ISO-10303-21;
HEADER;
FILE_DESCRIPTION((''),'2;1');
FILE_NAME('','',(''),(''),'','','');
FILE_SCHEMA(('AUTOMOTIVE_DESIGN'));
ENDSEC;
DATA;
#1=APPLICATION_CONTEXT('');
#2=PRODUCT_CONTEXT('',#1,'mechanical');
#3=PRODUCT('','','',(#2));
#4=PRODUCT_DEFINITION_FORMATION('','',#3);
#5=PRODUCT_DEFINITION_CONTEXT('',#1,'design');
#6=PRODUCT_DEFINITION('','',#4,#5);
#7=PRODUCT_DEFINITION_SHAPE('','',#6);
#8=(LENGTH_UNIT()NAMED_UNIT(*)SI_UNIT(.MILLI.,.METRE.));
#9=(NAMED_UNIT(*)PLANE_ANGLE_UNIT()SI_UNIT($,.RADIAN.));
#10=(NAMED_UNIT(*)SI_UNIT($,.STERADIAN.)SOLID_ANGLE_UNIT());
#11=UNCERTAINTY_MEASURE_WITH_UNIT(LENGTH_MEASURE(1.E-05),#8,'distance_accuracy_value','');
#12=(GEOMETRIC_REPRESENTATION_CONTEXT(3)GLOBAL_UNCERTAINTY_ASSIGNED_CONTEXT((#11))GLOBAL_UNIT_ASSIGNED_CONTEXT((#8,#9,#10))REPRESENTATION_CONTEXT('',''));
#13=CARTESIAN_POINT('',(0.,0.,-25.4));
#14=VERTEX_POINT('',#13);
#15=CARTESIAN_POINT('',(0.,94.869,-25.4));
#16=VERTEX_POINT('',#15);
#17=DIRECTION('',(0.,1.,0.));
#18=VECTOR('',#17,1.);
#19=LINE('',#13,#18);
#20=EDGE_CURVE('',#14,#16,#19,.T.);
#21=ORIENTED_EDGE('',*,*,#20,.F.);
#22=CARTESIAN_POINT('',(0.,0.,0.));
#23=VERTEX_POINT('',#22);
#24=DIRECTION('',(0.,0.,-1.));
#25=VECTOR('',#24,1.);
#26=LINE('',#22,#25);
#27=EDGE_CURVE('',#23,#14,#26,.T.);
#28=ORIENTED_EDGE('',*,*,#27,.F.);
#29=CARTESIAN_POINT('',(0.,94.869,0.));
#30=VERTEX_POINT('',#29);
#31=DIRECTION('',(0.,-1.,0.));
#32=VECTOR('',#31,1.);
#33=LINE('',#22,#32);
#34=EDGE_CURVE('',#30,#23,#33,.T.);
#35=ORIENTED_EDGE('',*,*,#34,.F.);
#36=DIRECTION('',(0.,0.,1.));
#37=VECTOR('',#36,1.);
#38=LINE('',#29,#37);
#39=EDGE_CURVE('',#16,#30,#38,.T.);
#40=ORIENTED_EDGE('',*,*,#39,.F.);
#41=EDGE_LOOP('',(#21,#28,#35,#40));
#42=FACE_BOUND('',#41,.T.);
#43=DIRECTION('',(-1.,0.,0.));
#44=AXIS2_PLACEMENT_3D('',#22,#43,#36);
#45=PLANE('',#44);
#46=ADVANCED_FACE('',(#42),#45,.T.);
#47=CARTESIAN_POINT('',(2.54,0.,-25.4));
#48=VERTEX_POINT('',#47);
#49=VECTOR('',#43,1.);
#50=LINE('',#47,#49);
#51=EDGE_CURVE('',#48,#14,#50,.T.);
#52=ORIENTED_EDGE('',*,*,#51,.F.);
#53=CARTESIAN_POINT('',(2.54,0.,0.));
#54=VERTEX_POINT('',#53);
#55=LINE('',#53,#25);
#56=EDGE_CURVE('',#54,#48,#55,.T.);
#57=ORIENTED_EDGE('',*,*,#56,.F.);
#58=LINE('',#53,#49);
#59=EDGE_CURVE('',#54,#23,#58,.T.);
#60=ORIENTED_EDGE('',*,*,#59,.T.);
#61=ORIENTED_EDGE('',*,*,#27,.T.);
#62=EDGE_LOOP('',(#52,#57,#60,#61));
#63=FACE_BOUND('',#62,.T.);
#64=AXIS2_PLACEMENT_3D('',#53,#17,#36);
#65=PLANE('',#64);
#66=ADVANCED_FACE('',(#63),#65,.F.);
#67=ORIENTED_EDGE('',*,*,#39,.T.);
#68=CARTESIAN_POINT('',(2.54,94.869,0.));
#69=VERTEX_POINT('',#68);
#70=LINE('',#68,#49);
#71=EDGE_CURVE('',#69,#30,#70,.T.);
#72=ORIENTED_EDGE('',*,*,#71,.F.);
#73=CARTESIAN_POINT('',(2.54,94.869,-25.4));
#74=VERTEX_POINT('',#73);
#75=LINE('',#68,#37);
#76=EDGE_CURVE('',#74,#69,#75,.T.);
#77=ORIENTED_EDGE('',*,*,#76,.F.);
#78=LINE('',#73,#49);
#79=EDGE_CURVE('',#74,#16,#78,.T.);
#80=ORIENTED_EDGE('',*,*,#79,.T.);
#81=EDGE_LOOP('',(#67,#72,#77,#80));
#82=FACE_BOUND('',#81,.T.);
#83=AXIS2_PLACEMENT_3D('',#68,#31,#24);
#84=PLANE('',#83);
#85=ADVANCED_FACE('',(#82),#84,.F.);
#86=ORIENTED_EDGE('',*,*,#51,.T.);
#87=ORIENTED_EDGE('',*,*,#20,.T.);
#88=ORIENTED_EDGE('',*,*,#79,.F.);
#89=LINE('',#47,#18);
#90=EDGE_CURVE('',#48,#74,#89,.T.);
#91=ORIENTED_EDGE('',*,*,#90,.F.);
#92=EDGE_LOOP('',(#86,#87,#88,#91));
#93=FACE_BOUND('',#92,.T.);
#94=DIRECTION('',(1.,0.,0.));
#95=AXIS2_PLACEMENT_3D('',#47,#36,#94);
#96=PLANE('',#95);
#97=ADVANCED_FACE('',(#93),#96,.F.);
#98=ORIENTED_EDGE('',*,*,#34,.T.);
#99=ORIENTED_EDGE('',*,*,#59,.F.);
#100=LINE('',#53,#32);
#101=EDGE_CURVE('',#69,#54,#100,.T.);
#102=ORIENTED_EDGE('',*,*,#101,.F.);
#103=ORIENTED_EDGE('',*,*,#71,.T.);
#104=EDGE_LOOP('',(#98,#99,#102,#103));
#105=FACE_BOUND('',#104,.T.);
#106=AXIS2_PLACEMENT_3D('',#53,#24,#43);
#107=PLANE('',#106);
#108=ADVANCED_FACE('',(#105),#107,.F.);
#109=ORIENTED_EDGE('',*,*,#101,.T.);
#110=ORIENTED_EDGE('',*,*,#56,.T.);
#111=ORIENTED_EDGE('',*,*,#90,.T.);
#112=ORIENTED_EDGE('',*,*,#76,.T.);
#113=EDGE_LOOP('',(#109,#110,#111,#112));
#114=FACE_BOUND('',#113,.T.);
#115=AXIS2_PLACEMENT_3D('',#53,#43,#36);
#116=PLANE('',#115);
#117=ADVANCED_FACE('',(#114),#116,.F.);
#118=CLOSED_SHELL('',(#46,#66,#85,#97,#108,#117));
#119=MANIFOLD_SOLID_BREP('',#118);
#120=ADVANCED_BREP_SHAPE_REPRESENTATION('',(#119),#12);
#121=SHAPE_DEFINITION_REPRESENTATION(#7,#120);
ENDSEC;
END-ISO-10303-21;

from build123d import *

# Parameters (mm, degrees)
SKETCH1_W           = 25.4
SKETCH1_H           = 94.869
BOSS_EXTRUDE1_DEPTH = 2.54


with BuildPart() as part:
    # Sketch1 → Boss-Extrude1 (new body)
    with BuildSketch(Plane(origin=(0, 0, 0), x_dir=(0, 0, -1), z_dir=(1, 0, 0))):
        with Locations((12.7, 47.4345)):
            Rectangle(SKETCH1_W, SKETCH1_H)
    extrude(amount=BOSS_EXTRUDE1_DEPTH)


solid = part.part
